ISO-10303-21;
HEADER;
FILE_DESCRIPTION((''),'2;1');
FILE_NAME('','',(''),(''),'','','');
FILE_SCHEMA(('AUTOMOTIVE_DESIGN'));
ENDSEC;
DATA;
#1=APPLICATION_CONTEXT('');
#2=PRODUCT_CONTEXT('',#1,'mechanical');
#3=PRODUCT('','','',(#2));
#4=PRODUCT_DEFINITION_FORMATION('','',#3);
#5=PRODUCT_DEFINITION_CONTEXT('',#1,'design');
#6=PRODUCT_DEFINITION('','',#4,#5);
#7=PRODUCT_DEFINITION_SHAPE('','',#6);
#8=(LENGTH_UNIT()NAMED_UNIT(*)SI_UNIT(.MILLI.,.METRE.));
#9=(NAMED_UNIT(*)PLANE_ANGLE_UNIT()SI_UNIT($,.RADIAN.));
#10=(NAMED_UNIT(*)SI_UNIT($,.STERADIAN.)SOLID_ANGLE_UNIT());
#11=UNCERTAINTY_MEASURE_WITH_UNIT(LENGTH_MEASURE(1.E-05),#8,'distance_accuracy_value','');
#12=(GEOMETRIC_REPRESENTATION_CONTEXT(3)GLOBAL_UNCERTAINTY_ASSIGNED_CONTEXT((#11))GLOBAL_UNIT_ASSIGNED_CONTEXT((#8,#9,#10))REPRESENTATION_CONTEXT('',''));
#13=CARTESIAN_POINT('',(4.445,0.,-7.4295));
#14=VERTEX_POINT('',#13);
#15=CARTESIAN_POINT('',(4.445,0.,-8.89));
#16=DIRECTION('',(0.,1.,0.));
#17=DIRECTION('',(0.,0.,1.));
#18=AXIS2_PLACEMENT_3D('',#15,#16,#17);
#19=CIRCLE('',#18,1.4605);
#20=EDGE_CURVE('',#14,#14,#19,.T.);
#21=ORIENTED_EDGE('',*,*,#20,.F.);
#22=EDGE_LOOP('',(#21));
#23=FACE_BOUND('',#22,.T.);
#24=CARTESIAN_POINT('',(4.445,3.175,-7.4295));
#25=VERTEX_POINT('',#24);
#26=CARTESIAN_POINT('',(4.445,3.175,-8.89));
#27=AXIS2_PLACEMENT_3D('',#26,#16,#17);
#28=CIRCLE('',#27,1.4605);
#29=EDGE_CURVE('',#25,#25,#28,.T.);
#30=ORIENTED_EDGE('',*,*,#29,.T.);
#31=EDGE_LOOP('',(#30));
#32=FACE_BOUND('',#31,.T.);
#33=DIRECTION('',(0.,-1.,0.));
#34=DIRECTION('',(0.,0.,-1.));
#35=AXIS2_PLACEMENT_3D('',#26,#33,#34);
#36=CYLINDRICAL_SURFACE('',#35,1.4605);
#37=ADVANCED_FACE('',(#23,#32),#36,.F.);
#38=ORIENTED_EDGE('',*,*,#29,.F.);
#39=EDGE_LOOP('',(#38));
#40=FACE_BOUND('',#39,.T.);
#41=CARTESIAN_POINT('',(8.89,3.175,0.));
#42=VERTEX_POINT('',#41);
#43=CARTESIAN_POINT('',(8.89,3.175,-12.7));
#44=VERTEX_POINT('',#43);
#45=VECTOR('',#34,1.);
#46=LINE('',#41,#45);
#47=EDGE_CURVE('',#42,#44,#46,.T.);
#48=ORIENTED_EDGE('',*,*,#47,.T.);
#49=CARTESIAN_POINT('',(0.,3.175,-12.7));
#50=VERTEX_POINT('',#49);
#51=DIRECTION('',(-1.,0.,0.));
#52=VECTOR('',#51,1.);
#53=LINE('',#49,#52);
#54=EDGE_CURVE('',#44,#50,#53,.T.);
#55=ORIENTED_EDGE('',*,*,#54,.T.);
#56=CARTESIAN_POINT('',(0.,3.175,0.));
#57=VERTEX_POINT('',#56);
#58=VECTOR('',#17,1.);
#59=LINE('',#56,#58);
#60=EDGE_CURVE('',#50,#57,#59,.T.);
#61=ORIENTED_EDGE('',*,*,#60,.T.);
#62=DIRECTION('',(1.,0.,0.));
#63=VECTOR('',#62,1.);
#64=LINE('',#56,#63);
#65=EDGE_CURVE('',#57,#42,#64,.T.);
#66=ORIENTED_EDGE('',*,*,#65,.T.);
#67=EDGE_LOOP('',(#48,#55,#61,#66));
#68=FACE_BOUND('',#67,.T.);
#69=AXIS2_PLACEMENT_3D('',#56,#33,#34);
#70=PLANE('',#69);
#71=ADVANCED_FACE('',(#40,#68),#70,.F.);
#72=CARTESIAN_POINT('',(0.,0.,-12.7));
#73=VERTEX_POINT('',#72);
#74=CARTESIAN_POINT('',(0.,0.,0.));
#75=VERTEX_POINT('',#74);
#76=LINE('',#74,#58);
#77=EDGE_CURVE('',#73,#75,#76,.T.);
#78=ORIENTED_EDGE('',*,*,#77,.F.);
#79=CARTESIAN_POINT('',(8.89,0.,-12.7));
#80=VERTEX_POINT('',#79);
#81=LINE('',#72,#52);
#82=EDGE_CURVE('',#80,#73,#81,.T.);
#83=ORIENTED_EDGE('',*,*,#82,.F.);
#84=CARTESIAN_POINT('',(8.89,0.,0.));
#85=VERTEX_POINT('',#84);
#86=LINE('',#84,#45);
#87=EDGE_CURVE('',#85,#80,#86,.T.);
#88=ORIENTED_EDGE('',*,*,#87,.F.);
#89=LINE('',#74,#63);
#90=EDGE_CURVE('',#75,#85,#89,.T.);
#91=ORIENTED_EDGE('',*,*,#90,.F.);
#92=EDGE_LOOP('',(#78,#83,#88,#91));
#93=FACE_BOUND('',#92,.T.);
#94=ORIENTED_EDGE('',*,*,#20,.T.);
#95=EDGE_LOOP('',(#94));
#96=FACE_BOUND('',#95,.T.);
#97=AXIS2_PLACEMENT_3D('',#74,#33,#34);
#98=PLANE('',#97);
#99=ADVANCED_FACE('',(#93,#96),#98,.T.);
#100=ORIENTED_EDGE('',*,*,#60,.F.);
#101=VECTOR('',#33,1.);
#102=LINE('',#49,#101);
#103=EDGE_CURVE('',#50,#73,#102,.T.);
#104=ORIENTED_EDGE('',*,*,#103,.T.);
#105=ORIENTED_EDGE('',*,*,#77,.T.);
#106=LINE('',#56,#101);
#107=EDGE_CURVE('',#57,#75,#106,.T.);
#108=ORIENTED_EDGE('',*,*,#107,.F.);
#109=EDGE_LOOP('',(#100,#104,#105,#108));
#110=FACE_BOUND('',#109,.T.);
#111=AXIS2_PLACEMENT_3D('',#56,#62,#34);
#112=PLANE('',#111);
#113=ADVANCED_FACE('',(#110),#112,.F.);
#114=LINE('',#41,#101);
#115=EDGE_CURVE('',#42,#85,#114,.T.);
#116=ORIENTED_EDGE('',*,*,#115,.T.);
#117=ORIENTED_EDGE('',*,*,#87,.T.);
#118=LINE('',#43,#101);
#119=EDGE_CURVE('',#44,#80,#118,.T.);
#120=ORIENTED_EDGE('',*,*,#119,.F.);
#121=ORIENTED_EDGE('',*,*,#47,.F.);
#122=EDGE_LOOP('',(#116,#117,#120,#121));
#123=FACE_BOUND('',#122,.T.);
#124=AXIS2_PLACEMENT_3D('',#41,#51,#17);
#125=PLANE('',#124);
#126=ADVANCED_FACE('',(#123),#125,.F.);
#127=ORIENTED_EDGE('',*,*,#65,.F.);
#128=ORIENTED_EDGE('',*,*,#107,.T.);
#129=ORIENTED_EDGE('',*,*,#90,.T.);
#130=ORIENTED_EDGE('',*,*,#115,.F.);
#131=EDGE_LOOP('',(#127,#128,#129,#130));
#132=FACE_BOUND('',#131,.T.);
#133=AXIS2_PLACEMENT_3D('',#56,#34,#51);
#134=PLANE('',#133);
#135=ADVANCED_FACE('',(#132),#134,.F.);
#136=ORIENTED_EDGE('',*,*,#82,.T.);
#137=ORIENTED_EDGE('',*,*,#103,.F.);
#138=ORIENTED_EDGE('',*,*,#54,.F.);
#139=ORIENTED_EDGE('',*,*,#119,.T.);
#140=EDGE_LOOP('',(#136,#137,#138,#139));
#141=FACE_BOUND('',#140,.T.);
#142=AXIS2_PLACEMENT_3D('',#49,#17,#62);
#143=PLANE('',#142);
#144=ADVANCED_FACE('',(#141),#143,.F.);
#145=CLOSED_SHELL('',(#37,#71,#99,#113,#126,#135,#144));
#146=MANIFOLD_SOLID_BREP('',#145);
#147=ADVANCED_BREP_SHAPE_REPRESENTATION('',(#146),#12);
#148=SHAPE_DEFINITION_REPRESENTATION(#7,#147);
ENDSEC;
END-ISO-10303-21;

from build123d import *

# Parameters (mm, degrees)
SKETCH1_W           = 8.89
SKETCH1_H           = 12.7
SKETCH1_R           = 1.4605
BOSS_EXTRUDE1_DEPTH = 3.175


with BuildPart() as part:
    # Sketch1 → Boss-Extrude1 (new body)
    with BuildSketch(Plane(origin=(0, 0, 0), x_dir=(1, 0, 0), z_dir=(0, 1, 0))):
        with Locations((4.445, 6.35)):
            Rectangle(SKETCH1_W, SKETCH1_H)
        with Locations(Location((4.445, 8.89, 0), (0, 0, 270))):
            Circle(SKETCH1_R, mode=Mode.SUBTRACT)
    extrude(amount=BOSS_EXTRUDE1_DEPTH)


solid = part.part
